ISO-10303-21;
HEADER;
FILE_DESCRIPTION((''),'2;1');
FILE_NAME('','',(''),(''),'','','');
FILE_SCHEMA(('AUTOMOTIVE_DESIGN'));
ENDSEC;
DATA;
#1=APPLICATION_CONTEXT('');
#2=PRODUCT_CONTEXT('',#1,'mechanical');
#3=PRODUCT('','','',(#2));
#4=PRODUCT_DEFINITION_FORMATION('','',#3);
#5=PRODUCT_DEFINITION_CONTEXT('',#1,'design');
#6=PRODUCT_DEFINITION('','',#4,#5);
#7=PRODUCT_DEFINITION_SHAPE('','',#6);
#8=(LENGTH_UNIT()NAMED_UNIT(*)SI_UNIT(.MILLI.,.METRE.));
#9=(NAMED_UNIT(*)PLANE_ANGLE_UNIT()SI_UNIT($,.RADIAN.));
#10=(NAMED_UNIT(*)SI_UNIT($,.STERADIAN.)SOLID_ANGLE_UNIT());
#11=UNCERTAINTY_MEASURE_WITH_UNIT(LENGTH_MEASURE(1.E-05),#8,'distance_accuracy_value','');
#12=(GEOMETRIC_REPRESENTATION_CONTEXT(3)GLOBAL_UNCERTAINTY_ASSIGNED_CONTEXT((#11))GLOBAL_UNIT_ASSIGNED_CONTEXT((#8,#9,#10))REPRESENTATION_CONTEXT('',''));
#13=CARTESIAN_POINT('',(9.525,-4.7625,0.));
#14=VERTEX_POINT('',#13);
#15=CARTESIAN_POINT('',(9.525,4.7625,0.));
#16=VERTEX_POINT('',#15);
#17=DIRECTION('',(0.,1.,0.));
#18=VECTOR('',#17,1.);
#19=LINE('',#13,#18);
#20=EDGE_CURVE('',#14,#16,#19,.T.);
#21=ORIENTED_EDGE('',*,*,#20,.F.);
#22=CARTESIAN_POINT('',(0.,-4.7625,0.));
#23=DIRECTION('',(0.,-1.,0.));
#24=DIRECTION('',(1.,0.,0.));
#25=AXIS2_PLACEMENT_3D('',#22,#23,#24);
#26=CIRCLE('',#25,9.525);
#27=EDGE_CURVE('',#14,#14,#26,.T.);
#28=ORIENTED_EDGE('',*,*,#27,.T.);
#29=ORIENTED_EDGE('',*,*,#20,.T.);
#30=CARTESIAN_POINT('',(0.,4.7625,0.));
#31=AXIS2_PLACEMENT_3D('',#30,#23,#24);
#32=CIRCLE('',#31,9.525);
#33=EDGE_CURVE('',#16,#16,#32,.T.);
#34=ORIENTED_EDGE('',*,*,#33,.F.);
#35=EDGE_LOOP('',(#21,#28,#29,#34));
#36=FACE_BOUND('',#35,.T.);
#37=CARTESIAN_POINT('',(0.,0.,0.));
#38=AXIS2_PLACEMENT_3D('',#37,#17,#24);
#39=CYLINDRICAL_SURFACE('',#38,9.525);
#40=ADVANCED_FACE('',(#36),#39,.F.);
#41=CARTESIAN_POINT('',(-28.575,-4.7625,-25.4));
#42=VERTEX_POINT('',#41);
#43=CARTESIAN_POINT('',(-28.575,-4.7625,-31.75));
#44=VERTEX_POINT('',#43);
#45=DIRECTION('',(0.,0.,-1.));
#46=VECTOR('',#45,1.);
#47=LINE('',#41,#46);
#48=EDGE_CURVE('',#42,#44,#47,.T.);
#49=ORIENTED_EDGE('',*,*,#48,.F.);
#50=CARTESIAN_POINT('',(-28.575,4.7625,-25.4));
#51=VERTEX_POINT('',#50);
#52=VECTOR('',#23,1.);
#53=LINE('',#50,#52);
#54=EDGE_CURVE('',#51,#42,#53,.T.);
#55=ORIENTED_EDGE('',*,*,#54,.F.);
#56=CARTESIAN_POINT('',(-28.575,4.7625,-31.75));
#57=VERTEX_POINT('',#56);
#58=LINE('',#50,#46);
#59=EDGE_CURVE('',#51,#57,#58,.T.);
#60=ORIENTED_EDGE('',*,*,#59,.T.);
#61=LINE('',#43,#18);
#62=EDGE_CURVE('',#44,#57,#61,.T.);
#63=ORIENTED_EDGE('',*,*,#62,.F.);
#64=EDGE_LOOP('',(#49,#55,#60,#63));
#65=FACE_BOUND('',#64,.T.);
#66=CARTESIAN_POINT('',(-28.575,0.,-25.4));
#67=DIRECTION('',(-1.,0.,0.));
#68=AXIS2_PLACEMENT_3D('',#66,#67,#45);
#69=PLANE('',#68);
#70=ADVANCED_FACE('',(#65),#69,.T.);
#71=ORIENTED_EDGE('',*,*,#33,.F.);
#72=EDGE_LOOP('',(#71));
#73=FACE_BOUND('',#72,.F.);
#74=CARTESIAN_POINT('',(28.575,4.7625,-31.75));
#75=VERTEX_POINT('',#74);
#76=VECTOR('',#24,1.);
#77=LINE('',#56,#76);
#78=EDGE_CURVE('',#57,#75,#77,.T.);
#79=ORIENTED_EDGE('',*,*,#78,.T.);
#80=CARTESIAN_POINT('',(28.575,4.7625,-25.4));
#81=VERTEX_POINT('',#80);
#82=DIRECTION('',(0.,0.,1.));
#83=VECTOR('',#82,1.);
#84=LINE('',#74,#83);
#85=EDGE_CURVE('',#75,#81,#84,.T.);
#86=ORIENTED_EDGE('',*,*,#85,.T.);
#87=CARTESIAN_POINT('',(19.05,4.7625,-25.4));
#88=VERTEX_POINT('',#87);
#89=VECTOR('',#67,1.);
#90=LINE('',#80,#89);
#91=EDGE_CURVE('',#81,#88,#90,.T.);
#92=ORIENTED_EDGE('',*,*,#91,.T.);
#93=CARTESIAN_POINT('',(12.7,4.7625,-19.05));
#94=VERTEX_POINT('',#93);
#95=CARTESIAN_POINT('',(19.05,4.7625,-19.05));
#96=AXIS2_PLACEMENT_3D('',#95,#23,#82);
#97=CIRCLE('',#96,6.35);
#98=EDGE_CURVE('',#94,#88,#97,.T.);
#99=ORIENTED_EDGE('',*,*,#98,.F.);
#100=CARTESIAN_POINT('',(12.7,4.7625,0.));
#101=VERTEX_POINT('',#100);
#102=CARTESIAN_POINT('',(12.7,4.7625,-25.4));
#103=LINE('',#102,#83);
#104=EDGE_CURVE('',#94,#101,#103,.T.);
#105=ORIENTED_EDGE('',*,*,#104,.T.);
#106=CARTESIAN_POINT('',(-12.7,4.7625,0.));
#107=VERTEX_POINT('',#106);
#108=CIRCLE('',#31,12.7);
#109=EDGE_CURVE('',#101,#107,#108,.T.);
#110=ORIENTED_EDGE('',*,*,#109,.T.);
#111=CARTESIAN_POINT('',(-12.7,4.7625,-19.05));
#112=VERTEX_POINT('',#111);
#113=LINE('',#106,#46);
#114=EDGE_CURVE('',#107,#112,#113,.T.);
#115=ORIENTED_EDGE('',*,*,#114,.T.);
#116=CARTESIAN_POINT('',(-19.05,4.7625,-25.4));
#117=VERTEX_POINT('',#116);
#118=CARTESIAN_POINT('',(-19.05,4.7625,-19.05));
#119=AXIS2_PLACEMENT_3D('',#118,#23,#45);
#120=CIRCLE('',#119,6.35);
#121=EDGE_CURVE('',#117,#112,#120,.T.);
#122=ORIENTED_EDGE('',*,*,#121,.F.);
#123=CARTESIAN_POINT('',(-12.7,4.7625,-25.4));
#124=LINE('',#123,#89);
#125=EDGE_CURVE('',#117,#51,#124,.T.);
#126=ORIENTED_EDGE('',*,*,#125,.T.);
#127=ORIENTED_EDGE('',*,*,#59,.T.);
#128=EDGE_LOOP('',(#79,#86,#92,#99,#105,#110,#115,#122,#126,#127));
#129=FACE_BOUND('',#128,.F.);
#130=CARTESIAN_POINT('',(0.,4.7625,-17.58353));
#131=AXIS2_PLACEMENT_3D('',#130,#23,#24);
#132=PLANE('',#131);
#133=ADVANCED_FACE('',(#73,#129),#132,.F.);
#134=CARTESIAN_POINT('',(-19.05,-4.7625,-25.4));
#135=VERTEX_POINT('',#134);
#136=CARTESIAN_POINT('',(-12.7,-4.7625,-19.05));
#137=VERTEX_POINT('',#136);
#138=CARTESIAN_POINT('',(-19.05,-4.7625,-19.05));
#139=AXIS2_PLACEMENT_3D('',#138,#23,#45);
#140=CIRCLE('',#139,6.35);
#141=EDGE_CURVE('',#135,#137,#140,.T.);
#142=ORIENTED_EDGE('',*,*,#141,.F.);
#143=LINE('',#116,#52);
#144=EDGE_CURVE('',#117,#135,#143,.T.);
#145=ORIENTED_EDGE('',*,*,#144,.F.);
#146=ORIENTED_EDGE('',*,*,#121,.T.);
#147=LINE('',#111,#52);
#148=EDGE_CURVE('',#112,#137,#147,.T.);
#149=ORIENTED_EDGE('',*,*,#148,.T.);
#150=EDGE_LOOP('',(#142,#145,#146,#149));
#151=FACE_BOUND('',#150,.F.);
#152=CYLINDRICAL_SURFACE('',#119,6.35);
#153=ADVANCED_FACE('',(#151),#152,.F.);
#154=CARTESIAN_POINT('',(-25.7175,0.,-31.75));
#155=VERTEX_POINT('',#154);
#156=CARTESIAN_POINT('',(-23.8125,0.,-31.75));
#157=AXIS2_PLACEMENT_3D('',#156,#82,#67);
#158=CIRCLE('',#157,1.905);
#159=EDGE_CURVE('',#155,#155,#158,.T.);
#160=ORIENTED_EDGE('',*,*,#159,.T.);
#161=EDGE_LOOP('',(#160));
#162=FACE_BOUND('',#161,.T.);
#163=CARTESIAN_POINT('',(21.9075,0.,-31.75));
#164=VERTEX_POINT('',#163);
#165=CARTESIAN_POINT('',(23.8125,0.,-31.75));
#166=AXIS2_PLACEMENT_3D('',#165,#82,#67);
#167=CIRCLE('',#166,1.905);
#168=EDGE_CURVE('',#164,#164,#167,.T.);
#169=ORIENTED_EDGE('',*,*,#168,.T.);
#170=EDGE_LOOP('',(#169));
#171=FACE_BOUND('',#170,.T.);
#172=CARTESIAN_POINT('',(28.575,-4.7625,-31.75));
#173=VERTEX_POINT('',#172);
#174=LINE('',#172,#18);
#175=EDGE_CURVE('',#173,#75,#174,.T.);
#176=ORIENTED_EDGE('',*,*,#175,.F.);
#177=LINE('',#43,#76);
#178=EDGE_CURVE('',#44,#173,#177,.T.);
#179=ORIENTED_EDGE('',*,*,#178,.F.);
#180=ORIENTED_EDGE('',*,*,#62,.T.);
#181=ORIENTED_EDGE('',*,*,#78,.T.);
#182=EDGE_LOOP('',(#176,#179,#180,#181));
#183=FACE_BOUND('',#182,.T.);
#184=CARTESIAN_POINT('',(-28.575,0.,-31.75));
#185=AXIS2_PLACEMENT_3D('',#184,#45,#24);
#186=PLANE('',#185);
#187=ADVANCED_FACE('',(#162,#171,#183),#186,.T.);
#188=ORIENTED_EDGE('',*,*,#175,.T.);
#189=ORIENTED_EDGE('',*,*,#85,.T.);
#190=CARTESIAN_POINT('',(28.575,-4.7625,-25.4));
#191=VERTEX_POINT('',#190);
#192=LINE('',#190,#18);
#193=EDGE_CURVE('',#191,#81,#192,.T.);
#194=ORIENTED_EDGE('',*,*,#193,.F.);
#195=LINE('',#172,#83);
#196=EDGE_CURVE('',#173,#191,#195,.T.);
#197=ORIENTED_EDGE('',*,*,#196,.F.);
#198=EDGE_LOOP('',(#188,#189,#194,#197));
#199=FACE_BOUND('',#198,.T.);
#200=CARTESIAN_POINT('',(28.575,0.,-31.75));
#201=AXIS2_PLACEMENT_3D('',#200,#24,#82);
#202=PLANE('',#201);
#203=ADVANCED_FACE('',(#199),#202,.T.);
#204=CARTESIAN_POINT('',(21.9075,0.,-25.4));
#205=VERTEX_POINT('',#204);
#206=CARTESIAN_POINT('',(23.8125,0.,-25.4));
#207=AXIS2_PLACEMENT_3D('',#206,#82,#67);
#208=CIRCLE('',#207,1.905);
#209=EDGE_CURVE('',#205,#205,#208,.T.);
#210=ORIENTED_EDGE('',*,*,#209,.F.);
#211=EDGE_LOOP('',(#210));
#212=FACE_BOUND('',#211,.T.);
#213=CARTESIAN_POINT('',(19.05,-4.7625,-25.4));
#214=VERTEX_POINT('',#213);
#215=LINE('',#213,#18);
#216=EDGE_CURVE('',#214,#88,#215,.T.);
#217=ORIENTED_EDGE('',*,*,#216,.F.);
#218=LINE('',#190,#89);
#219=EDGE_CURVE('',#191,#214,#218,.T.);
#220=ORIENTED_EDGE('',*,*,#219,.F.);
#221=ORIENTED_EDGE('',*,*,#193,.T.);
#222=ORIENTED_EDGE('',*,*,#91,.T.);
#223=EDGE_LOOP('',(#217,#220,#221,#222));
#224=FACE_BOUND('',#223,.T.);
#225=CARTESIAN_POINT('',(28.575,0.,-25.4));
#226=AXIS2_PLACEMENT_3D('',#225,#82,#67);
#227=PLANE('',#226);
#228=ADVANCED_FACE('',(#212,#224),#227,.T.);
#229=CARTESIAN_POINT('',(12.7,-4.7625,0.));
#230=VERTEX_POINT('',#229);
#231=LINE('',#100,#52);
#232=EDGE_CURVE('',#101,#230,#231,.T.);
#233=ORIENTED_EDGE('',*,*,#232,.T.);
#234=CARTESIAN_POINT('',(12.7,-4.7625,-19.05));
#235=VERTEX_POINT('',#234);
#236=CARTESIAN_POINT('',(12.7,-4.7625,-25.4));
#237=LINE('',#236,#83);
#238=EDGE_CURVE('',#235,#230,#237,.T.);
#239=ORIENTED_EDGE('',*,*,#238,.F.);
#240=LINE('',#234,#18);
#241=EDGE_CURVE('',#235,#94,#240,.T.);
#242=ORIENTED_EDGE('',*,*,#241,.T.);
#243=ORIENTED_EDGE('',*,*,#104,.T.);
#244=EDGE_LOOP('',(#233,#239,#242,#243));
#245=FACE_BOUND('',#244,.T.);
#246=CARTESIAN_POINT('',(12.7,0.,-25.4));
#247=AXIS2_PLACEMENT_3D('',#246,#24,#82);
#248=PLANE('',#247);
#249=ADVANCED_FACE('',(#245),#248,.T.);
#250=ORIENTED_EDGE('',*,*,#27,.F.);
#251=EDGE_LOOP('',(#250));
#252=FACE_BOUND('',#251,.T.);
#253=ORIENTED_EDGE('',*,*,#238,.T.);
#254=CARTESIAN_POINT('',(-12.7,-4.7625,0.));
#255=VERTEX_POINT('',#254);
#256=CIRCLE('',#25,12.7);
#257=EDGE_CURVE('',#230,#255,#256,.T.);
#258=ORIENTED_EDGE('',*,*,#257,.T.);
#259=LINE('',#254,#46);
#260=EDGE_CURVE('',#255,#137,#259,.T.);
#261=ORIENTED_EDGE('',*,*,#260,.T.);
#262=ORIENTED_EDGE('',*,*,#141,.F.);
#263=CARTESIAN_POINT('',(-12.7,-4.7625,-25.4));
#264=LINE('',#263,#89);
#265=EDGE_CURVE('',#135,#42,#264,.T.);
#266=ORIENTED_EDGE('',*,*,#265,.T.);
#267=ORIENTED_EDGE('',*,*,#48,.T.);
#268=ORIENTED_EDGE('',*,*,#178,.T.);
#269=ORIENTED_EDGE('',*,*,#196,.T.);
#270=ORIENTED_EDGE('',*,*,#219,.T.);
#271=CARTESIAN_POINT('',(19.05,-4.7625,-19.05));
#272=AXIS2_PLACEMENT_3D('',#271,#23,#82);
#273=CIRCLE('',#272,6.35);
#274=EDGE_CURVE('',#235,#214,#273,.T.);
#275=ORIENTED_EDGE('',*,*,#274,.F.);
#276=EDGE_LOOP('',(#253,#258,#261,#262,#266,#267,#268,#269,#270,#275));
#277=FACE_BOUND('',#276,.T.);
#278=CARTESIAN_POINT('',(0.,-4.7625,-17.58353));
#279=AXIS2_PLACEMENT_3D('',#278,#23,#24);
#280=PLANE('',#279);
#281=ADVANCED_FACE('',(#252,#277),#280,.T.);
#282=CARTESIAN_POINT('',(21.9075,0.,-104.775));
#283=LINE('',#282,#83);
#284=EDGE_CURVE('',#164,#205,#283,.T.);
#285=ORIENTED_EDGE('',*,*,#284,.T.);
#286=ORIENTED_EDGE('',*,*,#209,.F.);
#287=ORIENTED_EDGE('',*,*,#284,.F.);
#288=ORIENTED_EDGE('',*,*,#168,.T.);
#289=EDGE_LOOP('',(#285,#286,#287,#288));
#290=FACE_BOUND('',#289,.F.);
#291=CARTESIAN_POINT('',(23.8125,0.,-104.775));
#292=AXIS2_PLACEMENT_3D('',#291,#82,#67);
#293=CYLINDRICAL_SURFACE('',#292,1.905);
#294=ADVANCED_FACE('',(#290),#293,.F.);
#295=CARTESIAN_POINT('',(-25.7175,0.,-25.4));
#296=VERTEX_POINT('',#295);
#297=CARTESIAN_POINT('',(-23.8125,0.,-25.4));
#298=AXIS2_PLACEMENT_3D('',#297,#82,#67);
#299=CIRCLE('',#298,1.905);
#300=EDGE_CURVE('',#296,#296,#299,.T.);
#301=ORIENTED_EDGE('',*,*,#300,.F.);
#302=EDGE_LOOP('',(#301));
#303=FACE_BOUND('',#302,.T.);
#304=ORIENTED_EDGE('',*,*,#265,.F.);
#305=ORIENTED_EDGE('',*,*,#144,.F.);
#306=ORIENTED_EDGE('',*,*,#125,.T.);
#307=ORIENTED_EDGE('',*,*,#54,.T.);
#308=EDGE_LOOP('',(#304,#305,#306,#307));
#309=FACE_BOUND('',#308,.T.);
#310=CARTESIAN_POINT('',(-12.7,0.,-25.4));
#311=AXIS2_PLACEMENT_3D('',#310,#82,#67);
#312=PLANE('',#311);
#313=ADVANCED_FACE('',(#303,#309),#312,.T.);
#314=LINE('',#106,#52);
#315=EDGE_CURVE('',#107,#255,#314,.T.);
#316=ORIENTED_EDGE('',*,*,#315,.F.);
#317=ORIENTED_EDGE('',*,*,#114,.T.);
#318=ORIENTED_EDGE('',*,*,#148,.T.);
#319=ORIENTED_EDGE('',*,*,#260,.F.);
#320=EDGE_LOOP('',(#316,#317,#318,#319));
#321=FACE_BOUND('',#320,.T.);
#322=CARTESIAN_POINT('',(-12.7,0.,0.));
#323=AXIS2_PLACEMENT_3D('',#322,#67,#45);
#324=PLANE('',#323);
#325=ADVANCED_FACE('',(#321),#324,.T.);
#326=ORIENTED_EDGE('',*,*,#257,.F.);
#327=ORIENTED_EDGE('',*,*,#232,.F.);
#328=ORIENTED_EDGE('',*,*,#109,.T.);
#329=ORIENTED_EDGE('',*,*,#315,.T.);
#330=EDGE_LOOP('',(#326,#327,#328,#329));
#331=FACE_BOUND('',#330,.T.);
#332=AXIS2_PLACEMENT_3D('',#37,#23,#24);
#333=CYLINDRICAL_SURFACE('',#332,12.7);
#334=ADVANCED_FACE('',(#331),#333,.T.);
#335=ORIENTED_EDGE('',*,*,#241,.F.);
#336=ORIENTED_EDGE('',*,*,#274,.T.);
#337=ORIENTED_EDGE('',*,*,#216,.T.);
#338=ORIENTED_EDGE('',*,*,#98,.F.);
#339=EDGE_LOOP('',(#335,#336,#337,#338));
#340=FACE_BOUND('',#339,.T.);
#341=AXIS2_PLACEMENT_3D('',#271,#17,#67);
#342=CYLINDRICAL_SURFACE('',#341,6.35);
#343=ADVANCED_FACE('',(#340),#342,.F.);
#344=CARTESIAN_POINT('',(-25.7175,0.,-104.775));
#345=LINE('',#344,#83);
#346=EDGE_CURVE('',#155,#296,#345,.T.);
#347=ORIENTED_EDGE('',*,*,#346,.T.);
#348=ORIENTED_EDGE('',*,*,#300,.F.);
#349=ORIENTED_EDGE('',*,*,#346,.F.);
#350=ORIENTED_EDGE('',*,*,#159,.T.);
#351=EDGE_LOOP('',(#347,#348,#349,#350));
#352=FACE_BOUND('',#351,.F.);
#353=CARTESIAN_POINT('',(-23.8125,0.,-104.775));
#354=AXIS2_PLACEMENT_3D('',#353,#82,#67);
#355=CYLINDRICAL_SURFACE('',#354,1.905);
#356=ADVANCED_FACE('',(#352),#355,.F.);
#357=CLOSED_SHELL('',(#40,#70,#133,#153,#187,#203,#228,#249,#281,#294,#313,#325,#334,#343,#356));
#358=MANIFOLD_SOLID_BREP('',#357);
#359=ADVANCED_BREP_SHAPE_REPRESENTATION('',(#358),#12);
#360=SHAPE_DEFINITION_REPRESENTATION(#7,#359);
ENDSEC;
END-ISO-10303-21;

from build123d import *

# Parameters (mm, degrees)
F0_R     = 9.525
F1_DEPTH = 4.7625
F2_R     = 6.35
F4_D     = 3.81


with BuildPart() as f1:
    # F0 (on Front) → F1 (new body, symmetric)
    with BuildSketch(Plane.XZ):
        with BuildLine():
            Line((12.7, -25.4), (12.7, 0))
            ThreePointArc((12.7, 0), (0, 12.7), (-12.7, 0))
            Line((-12.7, 0), (-12.7, -25.4))
            Line((-12.7, -25.4), (-28.575, -25.4))
            Line((-28.575, -25.4), (-28.575, -31.75))
            Line((-28.575, -31.75), (28.575, -31.75))
            Line((28.575, -31.75), (28.575, -25.4))
            Line((28.575, -25.4), (12.7, -25.4))
        make_face()
        Circle(F0_R, mode=Mode.SUBTRACT)
    extrude(amount=F1_DEPTH, both=True)

    # F2
    f2_edges = [f1.edges().sort_by_distance(p)[0] for p in [
        (-12.7, 0, -25.4),
        (12.7, 0, -25.4),
    ]]
    fillet(f2_edges, radius=F2_R)

    # F4 (through all)
    with Locations(Plane(origin=(0, 0, -31.75), x_dir=(1, 0, 0), z_dir=(0, 0, -1))):
        with Locations((-23.8125, 0), (23.8125, 0)):
            Hole(F4_D / 2)


solid = f1.part
